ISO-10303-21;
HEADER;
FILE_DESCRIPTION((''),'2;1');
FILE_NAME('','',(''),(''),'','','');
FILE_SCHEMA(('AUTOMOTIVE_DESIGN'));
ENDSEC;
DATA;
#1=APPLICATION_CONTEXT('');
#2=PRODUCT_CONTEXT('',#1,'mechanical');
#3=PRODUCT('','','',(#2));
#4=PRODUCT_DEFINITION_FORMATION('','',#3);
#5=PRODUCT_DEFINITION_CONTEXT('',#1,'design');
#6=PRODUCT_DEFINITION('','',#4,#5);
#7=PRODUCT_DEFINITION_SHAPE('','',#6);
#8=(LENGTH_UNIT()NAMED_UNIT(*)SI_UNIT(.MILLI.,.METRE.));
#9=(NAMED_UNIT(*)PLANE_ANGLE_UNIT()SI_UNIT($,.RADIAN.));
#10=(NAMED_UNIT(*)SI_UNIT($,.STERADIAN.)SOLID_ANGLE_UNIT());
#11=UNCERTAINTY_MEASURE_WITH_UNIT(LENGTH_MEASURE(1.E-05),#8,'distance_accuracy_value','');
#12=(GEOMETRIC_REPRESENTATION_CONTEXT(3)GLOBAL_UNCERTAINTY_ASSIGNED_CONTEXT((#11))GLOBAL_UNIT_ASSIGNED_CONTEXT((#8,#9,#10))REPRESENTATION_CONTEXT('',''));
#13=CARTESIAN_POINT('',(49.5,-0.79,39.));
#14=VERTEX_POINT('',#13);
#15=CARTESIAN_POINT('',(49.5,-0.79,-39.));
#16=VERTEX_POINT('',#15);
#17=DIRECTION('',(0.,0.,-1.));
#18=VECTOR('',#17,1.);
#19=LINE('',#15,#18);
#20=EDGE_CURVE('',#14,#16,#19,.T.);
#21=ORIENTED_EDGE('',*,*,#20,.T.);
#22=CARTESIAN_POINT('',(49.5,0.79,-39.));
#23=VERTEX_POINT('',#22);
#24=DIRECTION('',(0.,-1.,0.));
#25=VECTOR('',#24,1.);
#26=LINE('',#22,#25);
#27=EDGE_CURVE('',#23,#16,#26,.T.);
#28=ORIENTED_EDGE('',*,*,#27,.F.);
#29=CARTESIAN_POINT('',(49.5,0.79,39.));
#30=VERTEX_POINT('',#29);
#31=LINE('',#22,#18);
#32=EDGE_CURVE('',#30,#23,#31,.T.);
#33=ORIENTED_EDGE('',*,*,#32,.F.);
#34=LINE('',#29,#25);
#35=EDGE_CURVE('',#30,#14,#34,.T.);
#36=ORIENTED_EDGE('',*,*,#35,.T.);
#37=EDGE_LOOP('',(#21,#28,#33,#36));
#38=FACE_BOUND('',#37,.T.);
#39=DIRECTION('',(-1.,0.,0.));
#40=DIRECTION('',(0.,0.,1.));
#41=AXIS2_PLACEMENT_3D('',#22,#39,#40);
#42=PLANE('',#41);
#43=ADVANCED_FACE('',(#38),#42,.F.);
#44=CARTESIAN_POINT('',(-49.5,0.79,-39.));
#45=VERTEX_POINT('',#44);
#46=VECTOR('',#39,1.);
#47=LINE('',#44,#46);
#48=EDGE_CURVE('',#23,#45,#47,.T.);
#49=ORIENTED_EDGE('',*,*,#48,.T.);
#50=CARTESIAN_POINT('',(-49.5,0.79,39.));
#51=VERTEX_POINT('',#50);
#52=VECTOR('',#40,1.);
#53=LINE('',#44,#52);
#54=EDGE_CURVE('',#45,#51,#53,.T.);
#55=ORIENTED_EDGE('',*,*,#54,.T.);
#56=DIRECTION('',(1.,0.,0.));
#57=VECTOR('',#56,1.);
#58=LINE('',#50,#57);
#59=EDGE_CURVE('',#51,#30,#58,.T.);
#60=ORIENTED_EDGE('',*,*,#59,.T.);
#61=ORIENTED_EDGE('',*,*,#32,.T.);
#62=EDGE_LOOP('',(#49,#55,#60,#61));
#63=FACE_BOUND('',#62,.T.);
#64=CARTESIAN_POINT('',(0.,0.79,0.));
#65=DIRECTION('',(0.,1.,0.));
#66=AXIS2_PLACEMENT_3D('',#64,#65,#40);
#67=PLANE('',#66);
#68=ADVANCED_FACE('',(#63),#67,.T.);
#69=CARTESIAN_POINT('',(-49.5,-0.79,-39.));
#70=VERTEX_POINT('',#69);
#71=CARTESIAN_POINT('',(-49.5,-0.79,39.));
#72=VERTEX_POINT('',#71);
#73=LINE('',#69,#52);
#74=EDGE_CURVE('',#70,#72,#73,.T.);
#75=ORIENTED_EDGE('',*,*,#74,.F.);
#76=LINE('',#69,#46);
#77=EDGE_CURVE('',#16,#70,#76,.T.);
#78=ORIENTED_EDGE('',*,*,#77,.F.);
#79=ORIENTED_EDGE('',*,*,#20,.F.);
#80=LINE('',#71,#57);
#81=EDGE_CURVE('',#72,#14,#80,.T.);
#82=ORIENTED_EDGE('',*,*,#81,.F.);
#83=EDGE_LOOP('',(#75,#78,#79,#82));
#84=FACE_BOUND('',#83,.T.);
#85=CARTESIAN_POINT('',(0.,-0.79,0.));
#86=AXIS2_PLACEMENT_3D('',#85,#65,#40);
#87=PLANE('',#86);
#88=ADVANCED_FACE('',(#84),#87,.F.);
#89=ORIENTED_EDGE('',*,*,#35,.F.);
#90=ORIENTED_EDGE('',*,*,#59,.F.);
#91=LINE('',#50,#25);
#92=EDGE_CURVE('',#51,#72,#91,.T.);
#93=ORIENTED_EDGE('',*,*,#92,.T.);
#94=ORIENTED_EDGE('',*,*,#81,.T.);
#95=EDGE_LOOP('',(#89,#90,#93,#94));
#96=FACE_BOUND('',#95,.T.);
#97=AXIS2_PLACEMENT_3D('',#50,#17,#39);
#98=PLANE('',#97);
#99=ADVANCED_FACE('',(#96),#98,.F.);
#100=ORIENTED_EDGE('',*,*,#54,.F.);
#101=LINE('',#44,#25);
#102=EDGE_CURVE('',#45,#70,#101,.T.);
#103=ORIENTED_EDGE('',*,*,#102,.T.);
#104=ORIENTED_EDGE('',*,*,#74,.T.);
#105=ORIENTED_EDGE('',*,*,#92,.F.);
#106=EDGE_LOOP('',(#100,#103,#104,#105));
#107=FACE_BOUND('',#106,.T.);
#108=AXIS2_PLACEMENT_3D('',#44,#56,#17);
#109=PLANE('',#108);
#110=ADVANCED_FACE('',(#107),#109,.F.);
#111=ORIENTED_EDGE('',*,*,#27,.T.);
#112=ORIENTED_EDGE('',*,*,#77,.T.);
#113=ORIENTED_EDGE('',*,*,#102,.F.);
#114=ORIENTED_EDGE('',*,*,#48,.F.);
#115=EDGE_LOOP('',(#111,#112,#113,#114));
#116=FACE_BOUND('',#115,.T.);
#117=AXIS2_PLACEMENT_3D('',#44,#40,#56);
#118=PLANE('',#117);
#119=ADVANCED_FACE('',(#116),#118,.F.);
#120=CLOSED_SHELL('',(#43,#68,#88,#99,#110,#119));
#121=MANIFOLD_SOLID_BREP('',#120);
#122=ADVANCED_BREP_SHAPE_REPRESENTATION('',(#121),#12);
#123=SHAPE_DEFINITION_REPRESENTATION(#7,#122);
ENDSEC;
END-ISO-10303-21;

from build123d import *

# Parameters (mm, degrees)
SKETCH1_W           = 99
SKETCH1_H           = 78
BOSS_EXTRUDE1_DEPTH = 0.79


with BuildPart() as part:
    # Sketch1 → Boss-Extrude1 (new body, symmetric)
    with BuildSketch(Plane(origin=(0, 0, 0), x_dir=(1, 0, 0), z_dir=(0, 1, 0))):
        Rectangle(SKETCH1_W, SKETCH1_H)
    extrude(amount=BOSS_EXTRUDE1_DEPTH, both=True)


solid = part.part
